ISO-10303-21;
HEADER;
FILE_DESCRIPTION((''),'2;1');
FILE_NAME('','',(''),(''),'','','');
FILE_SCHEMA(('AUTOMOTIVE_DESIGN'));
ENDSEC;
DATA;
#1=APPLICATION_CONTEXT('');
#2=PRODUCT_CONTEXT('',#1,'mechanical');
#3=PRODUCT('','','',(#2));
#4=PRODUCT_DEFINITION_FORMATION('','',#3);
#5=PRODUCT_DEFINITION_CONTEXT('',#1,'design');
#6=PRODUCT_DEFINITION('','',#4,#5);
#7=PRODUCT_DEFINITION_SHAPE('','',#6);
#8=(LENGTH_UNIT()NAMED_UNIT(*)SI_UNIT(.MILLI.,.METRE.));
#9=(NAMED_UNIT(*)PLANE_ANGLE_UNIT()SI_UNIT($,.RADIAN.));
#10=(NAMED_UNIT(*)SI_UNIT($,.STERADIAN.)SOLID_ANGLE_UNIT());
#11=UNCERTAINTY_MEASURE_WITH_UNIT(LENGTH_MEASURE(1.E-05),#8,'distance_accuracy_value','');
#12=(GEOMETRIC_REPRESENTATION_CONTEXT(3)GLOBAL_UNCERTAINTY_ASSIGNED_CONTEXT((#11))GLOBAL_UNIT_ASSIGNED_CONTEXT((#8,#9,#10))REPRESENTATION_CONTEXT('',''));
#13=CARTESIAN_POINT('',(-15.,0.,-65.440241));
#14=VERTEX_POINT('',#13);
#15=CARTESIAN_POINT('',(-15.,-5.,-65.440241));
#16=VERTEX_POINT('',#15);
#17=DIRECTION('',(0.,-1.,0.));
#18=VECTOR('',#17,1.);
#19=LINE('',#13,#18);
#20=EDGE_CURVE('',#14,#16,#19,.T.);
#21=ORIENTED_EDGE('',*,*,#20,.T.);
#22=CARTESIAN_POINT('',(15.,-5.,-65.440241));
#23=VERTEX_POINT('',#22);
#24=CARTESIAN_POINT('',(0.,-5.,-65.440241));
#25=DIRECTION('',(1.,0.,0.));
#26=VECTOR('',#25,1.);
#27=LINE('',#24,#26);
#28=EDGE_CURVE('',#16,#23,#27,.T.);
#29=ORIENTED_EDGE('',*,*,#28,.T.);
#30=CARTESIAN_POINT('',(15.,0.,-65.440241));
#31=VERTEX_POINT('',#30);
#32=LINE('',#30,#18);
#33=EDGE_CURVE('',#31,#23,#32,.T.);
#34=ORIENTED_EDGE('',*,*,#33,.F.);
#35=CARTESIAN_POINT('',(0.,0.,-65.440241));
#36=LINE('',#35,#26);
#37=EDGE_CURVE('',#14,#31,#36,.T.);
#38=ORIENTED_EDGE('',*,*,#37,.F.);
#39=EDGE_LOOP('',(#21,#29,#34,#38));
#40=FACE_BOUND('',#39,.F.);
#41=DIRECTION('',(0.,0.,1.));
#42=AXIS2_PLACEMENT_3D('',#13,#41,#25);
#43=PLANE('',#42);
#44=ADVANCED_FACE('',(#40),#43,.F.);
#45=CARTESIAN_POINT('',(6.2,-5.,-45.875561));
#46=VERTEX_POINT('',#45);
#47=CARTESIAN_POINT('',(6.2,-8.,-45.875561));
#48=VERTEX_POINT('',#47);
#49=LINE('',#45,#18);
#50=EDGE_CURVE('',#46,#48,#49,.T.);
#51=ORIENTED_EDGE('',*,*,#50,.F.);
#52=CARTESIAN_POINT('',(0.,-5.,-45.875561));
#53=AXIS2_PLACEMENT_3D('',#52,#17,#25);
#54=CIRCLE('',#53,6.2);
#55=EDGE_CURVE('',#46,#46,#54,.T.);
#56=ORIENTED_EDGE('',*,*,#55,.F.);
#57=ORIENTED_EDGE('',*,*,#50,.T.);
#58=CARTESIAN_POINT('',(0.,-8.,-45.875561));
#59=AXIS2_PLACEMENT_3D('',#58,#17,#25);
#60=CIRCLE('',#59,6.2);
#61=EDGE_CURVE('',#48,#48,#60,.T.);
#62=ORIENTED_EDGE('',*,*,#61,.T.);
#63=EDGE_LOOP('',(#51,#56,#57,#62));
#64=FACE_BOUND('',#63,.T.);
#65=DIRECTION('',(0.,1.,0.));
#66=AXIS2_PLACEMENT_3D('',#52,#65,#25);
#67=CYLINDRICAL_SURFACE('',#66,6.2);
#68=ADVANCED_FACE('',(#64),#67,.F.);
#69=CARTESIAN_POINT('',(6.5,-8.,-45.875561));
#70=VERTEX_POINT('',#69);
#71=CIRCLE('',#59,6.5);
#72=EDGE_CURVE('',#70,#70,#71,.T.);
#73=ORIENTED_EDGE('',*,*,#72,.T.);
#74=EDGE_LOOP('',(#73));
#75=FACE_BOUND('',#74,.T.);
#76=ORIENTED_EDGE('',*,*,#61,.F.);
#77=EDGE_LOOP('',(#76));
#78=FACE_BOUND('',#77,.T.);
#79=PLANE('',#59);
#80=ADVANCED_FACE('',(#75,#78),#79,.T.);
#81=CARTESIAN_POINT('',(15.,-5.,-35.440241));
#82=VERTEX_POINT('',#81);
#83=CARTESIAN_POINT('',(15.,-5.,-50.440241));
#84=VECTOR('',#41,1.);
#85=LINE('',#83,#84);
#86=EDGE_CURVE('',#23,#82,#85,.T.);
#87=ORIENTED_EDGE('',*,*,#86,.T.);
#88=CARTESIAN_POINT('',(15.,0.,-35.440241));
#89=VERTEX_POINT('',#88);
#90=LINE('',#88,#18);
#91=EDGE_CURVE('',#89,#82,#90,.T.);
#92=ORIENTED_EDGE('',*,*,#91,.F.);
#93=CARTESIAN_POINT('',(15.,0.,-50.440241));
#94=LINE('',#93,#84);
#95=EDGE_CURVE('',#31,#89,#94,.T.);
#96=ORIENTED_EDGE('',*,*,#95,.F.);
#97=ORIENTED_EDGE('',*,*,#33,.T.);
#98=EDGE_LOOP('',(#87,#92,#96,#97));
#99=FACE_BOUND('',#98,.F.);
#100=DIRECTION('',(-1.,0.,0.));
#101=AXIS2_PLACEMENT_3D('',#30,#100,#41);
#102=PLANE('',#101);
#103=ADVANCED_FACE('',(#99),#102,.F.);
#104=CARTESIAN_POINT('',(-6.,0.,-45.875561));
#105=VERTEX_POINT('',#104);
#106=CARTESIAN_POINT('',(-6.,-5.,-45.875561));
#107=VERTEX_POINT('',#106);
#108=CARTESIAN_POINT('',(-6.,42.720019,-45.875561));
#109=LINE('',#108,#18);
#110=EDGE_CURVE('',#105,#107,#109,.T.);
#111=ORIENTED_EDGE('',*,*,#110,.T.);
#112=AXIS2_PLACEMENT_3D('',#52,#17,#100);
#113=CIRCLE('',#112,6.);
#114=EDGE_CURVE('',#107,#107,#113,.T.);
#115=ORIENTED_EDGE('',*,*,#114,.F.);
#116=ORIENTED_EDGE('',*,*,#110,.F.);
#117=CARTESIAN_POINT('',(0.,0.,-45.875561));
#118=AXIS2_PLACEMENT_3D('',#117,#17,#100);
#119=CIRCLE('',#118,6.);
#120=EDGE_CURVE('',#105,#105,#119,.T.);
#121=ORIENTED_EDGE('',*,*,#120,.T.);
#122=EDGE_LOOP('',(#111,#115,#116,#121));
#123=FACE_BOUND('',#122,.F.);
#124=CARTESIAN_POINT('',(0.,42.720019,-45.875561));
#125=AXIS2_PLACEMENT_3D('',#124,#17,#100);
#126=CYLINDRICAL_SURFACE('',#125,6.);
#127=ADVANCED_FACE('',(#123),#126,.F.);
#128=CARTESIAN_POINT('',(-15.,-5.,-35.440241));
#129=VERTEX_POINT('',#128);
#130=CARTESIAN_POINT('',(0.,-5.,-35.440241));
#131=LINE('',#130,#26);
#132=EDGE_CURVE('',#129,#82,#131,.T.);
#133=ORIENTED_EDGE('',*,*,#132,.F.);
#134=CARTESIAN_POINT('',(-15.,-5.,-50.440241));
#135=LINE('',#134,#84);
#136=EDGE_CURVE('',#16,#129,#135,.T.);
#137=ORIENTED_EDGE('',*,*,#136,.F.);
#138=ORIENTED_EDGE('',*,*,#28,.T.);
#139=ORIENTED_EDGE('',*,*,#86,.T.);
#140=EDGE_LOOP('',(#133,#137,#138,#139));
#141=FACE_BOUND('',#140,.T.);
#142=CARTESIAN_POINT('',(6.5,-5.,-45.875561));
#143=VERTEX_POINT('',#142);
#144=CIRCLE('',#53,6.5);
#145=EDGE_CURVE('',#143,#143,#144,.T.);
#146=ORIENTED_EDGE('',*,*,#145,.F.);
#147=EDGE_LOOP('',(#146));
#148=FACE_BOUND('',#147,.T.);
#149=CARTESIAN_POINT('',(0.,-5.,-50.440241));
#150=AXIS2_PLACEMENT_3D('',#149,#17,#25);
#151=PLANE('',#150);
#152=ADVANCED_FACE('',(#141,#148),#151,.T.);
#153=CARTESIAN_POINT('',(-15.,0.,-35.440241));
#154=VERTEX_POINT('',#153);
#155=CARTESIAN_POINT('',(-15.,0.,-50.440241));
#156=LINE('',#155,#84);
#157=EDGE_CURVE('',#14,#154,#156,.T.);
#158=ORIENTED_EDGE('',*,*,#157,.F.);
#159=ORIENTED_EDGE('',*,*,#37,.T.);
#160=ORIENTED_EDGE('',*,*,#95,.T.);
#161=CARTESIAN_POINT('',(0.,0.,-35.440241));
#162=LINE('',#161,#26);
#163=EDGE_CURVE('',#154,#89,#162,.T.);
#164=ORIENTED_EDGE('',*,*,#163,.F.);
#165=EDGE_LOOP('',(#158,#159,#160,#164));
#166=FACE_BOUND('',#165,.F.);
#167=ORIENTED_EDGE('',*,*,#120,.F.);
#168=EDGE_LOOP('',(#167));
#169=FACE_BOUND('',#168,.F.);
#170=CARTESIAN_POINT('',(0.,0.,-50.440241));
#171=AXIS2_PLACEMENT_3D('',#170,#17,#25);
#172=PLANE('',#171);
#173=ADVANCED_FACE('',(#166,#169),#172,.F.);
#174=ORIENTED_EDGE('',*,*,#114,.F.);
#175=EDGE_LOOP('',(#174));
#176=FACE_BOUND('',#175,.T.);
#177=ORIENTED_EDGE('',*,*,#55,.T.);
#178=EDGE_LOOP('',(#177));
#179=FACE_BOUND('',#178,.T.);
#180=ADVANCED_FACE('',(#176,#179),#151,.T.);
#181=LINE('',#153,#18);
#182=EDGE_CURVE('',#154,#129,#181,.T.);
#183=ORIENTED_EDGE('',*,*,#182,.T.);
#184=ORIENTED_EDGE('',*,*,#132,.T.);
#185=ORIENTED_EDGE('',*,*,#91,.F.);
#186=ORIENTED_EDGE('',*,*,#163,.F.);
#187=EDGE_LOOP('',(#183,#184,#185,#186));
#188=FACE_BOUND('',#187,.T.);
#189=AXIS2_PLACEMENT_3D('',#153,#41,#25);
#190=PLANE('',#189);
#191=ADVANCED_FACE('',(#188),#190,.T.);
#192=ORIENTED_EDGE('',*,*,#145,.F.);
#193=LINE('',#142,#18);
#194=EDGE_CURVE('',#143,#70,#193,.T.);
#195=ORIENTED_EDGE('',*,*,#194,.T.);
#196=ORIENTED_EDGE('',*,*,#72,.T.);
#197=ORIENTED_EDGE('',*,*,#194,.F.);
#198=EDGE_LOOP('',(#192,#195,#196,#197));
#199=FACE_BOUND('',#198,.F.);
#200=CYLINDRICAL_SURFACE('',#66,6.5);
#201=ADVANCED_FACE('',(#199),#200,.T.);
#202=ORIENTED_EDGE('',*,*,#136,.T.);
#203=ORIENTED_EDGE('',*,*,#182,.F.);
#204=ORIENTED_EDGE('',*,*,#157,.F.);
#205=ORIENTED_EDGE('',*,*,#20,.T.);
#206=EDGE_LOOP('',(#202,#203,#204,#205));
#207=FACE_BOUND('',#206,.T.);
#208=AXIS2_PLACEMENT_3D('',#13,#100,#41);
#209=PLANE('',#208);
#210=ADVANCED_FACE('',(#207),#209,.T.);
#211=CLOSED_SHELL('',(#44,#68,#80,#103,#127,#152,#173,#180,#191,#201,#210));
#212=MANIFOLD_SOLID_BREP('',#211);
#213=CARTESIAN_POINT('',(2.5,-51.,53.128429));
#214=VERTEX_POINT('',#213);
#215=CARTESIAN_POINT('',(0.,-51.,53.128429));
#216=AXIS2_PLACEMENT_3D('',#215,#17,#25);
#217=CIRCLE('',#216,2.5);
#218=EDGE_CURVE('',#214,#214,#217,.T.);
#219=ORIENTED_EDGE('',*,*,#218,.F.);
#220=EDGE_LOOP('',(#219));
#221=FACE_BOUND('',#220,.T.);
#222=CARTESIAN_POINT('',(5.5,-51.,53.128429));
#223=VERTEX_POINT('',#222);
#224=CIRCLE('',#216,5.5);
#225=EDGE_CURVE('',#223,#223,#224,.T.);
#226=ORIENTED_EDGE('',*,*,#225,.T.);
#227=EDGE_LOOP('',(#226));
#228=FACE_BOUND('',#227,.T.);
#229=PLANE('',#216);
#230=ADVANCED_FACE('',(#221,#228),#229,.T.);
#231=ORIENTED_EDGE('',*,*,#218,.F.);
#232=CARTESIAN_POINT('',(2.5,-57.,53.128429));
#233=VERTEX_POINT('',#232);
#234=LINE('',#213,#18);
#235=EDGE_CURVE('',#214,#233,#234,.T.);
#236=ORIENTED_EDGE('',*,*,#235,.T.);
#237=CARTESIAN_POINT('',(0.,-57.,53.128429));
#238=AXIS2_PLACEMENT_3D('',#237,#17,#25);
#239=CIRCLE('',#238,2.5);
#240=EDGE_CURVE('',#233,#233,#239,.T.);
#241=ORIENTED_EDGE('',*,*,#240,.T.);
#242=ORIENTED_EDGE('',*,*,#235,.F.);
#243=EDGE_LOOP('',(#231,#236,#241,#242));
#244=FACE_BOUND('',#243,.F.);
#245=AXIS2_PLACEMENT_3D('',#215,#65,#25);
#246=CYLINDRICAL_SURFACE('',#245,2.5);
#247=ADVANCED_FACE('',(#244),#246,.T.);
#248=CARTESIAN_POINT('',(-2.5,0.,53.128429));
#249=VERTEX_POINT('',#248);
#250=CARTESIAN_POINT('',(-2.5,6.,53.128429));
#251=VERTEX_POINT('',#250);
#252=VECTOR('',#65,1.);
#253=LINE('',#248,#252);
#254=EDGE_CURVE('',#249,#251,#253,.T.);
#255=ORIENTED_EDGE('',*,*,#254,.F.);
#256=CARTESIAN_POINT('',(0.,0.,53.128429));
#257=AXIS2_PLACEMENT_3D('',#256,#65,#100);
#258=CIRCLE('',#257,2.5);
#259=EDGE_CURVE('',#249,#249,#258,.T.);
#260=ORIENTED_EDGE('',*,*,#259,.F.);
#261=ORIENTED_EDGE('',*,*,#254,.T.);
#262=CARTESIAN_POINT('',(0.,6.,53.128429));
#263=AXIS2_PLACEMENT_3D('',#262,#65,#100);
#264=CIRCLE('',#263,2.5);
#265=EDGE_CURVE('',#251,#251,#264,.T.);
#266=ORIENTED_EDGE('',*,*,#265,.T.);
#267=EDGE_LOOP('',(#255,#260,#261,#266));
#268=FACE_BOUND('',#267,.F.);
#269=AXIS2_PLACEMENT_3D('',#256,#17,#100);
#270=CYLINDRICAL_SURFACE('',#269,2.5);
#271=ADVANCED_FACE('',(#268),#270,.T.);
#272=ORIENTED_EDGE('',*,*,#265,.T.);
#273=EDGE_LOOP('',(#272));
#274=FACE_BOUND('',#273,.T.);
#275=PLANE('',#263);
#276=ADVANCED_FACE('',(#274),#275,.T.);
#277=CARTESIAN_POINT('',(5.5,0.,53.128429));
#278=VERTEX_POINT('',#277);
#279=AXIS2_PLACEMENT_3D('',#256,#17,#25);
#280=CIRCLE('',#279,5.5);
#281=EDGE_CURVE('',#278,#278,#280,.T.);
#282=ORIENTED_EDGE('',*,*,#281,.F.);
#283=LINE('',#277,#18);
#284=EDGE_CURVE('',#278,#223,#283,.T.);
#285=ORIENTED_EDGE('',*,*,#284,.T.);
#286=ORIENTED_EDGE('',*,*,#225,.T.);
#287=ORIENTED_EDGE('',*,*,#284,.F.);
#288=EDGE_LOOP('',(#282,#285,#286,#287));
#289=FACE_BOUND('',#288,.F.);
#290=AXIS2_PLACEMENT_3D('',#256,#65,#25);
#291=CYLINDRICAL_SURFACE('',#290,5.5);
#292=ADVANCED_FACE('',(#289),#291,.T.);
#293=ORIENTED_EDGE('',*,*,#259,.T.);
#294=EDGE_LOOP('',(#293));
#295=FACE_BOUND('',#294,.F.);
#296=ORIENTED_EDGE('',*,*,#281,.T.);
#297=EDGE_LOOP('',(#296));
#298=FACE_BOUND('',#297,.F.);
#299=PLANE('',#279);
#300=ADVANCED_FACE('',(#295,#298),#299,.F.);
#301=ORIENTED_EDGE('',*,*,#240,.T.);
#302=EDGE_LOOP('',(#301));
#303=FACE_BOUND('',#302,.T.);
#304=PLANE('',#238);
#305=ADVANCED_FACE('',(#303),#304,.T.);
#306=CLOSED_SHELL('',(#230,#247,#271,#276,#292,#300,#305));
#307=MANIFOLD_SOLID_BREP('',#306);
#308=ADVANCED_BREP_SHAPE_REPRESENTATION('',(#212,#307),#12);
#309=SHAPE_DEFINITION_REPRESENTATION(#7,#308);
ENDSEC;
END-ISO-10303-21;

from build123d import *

# Parameters (mm, degrees)
F0_R      = 6
F0_R_2    = 5.7
F1_DEPTH  = 50
F2_R      = 5.5
F3_DEPTH  = 51
F4_R      = 8.5
F5_DEPTH  = 4
F6_R      = 2.5
F7_DEPTH  = 6
F9_W      = 30
F9_H      = 30
F10_DEPTH = 5
F12_D     = 12
F13_R     = 6.5
F13_R_2   = 6.2
F14_DEPTH = 3
F15_R     = 5.5
F16_DEPTH = 39
F18_D     = 5
F18_DEPTH = 8
F18_TIP   = 1.5021515476
F8_R      = 2.5
F19_DEPTH = 6


with BuildPart() as f1:
    # F0 (on Front) → F1 (new body)
    with BuildSketch(Plane.XZ):
        Circle(F0_R)
        Circle(F0_R_2, mode=Mode.SUBTRACT)
    extrude(amount=F1_DEPTH)


with BuildPart() as f3:
    # F2 (on Front) → F3 (new body)
    with BuildSketch(Plane.XZ):
        with Locations((0, 53.1284292551)):
            Circle(F2_R)
    extrude(amount=F3_DEPTH)

    # F6 (on face) → F7 (join)
    with BuildSketch(Plane.XZ.offset(51)):
        with Locations((0, 53.1284292551)):
            Circle(F6_R)
    extrude(amount=F7_DEPTH)

    # F8 (on face) → F19 (join)
    with BuildSketch(Plane(origin=(0, 0, 0), x_dir=(-1, 0, 0), z_dir=(0, 1, 0))):
        with Locations((0, 53.1284292551)):
            Circle(F8_R)
    extrude(amount=F19_DEPTH)


with BuildPart() as f5:
    # F4 (on Front) → F5 (new body)
    with BuildSketch(Plane.XZ):
        with Locations((0, 21.613052828)):
            Circle(F4_R)
    extrude(amount=F5_DEPTH)

    # F15 (on face) → F16 (join)
    with BuildSketch(Plane.XZ.offset(4)):
        with Locations((0, 21.613052828)):
            Circle(F15_R)
    extrude(amount=F16_DEPTH)

    # F18
    with Locations(Plane.XZ.offset(43)):
        with Locations((0, 21.613052828)):
            Hole(F18_D / 2, depth=F18_DEPTH)
            with Locations((0, 0, -(F18_DEPTH + F18_TIP / 2))):  # 118° drill point
                Cone(0, F18_D / 2, F18_TIP, mode=Mode.SUBTRACT)


with BuildPart() as f10:
    # F9 (on Front) → F10 (new body)
    with BuildSketch(Plane.XZ):
        with Locations((0, -50.4402406514)):
            Rectangle(F9_W, F9_H)
    extrude(amount=F10_DEPTH)

    # F12 (through all)
    with Locations(Plane(origin=(0, 0, 0), x_dir=(1, 0, 0), z_dir=(0, 1, 0))):
        with Locations((0, 45.8755606015)):
            Hole(F12_D / 2)

    # F13 (on face) → F14 (join)
    with BuildSketch(Plane.XZ.offset(5)):
        with Locations((0, -45.8755606015)):
            Circle(F13_R)
        with Locations((0, -45.8755606015)):
            Circle(F13_R_2, mode=Mode.SUBTRACT)
    extrude(amount=F14_DEPTH)


with BuildPart() as f22_1:
    # F22: copy of F3
    add(f3.part)


solid = Compound([f3.part, f10.part])
